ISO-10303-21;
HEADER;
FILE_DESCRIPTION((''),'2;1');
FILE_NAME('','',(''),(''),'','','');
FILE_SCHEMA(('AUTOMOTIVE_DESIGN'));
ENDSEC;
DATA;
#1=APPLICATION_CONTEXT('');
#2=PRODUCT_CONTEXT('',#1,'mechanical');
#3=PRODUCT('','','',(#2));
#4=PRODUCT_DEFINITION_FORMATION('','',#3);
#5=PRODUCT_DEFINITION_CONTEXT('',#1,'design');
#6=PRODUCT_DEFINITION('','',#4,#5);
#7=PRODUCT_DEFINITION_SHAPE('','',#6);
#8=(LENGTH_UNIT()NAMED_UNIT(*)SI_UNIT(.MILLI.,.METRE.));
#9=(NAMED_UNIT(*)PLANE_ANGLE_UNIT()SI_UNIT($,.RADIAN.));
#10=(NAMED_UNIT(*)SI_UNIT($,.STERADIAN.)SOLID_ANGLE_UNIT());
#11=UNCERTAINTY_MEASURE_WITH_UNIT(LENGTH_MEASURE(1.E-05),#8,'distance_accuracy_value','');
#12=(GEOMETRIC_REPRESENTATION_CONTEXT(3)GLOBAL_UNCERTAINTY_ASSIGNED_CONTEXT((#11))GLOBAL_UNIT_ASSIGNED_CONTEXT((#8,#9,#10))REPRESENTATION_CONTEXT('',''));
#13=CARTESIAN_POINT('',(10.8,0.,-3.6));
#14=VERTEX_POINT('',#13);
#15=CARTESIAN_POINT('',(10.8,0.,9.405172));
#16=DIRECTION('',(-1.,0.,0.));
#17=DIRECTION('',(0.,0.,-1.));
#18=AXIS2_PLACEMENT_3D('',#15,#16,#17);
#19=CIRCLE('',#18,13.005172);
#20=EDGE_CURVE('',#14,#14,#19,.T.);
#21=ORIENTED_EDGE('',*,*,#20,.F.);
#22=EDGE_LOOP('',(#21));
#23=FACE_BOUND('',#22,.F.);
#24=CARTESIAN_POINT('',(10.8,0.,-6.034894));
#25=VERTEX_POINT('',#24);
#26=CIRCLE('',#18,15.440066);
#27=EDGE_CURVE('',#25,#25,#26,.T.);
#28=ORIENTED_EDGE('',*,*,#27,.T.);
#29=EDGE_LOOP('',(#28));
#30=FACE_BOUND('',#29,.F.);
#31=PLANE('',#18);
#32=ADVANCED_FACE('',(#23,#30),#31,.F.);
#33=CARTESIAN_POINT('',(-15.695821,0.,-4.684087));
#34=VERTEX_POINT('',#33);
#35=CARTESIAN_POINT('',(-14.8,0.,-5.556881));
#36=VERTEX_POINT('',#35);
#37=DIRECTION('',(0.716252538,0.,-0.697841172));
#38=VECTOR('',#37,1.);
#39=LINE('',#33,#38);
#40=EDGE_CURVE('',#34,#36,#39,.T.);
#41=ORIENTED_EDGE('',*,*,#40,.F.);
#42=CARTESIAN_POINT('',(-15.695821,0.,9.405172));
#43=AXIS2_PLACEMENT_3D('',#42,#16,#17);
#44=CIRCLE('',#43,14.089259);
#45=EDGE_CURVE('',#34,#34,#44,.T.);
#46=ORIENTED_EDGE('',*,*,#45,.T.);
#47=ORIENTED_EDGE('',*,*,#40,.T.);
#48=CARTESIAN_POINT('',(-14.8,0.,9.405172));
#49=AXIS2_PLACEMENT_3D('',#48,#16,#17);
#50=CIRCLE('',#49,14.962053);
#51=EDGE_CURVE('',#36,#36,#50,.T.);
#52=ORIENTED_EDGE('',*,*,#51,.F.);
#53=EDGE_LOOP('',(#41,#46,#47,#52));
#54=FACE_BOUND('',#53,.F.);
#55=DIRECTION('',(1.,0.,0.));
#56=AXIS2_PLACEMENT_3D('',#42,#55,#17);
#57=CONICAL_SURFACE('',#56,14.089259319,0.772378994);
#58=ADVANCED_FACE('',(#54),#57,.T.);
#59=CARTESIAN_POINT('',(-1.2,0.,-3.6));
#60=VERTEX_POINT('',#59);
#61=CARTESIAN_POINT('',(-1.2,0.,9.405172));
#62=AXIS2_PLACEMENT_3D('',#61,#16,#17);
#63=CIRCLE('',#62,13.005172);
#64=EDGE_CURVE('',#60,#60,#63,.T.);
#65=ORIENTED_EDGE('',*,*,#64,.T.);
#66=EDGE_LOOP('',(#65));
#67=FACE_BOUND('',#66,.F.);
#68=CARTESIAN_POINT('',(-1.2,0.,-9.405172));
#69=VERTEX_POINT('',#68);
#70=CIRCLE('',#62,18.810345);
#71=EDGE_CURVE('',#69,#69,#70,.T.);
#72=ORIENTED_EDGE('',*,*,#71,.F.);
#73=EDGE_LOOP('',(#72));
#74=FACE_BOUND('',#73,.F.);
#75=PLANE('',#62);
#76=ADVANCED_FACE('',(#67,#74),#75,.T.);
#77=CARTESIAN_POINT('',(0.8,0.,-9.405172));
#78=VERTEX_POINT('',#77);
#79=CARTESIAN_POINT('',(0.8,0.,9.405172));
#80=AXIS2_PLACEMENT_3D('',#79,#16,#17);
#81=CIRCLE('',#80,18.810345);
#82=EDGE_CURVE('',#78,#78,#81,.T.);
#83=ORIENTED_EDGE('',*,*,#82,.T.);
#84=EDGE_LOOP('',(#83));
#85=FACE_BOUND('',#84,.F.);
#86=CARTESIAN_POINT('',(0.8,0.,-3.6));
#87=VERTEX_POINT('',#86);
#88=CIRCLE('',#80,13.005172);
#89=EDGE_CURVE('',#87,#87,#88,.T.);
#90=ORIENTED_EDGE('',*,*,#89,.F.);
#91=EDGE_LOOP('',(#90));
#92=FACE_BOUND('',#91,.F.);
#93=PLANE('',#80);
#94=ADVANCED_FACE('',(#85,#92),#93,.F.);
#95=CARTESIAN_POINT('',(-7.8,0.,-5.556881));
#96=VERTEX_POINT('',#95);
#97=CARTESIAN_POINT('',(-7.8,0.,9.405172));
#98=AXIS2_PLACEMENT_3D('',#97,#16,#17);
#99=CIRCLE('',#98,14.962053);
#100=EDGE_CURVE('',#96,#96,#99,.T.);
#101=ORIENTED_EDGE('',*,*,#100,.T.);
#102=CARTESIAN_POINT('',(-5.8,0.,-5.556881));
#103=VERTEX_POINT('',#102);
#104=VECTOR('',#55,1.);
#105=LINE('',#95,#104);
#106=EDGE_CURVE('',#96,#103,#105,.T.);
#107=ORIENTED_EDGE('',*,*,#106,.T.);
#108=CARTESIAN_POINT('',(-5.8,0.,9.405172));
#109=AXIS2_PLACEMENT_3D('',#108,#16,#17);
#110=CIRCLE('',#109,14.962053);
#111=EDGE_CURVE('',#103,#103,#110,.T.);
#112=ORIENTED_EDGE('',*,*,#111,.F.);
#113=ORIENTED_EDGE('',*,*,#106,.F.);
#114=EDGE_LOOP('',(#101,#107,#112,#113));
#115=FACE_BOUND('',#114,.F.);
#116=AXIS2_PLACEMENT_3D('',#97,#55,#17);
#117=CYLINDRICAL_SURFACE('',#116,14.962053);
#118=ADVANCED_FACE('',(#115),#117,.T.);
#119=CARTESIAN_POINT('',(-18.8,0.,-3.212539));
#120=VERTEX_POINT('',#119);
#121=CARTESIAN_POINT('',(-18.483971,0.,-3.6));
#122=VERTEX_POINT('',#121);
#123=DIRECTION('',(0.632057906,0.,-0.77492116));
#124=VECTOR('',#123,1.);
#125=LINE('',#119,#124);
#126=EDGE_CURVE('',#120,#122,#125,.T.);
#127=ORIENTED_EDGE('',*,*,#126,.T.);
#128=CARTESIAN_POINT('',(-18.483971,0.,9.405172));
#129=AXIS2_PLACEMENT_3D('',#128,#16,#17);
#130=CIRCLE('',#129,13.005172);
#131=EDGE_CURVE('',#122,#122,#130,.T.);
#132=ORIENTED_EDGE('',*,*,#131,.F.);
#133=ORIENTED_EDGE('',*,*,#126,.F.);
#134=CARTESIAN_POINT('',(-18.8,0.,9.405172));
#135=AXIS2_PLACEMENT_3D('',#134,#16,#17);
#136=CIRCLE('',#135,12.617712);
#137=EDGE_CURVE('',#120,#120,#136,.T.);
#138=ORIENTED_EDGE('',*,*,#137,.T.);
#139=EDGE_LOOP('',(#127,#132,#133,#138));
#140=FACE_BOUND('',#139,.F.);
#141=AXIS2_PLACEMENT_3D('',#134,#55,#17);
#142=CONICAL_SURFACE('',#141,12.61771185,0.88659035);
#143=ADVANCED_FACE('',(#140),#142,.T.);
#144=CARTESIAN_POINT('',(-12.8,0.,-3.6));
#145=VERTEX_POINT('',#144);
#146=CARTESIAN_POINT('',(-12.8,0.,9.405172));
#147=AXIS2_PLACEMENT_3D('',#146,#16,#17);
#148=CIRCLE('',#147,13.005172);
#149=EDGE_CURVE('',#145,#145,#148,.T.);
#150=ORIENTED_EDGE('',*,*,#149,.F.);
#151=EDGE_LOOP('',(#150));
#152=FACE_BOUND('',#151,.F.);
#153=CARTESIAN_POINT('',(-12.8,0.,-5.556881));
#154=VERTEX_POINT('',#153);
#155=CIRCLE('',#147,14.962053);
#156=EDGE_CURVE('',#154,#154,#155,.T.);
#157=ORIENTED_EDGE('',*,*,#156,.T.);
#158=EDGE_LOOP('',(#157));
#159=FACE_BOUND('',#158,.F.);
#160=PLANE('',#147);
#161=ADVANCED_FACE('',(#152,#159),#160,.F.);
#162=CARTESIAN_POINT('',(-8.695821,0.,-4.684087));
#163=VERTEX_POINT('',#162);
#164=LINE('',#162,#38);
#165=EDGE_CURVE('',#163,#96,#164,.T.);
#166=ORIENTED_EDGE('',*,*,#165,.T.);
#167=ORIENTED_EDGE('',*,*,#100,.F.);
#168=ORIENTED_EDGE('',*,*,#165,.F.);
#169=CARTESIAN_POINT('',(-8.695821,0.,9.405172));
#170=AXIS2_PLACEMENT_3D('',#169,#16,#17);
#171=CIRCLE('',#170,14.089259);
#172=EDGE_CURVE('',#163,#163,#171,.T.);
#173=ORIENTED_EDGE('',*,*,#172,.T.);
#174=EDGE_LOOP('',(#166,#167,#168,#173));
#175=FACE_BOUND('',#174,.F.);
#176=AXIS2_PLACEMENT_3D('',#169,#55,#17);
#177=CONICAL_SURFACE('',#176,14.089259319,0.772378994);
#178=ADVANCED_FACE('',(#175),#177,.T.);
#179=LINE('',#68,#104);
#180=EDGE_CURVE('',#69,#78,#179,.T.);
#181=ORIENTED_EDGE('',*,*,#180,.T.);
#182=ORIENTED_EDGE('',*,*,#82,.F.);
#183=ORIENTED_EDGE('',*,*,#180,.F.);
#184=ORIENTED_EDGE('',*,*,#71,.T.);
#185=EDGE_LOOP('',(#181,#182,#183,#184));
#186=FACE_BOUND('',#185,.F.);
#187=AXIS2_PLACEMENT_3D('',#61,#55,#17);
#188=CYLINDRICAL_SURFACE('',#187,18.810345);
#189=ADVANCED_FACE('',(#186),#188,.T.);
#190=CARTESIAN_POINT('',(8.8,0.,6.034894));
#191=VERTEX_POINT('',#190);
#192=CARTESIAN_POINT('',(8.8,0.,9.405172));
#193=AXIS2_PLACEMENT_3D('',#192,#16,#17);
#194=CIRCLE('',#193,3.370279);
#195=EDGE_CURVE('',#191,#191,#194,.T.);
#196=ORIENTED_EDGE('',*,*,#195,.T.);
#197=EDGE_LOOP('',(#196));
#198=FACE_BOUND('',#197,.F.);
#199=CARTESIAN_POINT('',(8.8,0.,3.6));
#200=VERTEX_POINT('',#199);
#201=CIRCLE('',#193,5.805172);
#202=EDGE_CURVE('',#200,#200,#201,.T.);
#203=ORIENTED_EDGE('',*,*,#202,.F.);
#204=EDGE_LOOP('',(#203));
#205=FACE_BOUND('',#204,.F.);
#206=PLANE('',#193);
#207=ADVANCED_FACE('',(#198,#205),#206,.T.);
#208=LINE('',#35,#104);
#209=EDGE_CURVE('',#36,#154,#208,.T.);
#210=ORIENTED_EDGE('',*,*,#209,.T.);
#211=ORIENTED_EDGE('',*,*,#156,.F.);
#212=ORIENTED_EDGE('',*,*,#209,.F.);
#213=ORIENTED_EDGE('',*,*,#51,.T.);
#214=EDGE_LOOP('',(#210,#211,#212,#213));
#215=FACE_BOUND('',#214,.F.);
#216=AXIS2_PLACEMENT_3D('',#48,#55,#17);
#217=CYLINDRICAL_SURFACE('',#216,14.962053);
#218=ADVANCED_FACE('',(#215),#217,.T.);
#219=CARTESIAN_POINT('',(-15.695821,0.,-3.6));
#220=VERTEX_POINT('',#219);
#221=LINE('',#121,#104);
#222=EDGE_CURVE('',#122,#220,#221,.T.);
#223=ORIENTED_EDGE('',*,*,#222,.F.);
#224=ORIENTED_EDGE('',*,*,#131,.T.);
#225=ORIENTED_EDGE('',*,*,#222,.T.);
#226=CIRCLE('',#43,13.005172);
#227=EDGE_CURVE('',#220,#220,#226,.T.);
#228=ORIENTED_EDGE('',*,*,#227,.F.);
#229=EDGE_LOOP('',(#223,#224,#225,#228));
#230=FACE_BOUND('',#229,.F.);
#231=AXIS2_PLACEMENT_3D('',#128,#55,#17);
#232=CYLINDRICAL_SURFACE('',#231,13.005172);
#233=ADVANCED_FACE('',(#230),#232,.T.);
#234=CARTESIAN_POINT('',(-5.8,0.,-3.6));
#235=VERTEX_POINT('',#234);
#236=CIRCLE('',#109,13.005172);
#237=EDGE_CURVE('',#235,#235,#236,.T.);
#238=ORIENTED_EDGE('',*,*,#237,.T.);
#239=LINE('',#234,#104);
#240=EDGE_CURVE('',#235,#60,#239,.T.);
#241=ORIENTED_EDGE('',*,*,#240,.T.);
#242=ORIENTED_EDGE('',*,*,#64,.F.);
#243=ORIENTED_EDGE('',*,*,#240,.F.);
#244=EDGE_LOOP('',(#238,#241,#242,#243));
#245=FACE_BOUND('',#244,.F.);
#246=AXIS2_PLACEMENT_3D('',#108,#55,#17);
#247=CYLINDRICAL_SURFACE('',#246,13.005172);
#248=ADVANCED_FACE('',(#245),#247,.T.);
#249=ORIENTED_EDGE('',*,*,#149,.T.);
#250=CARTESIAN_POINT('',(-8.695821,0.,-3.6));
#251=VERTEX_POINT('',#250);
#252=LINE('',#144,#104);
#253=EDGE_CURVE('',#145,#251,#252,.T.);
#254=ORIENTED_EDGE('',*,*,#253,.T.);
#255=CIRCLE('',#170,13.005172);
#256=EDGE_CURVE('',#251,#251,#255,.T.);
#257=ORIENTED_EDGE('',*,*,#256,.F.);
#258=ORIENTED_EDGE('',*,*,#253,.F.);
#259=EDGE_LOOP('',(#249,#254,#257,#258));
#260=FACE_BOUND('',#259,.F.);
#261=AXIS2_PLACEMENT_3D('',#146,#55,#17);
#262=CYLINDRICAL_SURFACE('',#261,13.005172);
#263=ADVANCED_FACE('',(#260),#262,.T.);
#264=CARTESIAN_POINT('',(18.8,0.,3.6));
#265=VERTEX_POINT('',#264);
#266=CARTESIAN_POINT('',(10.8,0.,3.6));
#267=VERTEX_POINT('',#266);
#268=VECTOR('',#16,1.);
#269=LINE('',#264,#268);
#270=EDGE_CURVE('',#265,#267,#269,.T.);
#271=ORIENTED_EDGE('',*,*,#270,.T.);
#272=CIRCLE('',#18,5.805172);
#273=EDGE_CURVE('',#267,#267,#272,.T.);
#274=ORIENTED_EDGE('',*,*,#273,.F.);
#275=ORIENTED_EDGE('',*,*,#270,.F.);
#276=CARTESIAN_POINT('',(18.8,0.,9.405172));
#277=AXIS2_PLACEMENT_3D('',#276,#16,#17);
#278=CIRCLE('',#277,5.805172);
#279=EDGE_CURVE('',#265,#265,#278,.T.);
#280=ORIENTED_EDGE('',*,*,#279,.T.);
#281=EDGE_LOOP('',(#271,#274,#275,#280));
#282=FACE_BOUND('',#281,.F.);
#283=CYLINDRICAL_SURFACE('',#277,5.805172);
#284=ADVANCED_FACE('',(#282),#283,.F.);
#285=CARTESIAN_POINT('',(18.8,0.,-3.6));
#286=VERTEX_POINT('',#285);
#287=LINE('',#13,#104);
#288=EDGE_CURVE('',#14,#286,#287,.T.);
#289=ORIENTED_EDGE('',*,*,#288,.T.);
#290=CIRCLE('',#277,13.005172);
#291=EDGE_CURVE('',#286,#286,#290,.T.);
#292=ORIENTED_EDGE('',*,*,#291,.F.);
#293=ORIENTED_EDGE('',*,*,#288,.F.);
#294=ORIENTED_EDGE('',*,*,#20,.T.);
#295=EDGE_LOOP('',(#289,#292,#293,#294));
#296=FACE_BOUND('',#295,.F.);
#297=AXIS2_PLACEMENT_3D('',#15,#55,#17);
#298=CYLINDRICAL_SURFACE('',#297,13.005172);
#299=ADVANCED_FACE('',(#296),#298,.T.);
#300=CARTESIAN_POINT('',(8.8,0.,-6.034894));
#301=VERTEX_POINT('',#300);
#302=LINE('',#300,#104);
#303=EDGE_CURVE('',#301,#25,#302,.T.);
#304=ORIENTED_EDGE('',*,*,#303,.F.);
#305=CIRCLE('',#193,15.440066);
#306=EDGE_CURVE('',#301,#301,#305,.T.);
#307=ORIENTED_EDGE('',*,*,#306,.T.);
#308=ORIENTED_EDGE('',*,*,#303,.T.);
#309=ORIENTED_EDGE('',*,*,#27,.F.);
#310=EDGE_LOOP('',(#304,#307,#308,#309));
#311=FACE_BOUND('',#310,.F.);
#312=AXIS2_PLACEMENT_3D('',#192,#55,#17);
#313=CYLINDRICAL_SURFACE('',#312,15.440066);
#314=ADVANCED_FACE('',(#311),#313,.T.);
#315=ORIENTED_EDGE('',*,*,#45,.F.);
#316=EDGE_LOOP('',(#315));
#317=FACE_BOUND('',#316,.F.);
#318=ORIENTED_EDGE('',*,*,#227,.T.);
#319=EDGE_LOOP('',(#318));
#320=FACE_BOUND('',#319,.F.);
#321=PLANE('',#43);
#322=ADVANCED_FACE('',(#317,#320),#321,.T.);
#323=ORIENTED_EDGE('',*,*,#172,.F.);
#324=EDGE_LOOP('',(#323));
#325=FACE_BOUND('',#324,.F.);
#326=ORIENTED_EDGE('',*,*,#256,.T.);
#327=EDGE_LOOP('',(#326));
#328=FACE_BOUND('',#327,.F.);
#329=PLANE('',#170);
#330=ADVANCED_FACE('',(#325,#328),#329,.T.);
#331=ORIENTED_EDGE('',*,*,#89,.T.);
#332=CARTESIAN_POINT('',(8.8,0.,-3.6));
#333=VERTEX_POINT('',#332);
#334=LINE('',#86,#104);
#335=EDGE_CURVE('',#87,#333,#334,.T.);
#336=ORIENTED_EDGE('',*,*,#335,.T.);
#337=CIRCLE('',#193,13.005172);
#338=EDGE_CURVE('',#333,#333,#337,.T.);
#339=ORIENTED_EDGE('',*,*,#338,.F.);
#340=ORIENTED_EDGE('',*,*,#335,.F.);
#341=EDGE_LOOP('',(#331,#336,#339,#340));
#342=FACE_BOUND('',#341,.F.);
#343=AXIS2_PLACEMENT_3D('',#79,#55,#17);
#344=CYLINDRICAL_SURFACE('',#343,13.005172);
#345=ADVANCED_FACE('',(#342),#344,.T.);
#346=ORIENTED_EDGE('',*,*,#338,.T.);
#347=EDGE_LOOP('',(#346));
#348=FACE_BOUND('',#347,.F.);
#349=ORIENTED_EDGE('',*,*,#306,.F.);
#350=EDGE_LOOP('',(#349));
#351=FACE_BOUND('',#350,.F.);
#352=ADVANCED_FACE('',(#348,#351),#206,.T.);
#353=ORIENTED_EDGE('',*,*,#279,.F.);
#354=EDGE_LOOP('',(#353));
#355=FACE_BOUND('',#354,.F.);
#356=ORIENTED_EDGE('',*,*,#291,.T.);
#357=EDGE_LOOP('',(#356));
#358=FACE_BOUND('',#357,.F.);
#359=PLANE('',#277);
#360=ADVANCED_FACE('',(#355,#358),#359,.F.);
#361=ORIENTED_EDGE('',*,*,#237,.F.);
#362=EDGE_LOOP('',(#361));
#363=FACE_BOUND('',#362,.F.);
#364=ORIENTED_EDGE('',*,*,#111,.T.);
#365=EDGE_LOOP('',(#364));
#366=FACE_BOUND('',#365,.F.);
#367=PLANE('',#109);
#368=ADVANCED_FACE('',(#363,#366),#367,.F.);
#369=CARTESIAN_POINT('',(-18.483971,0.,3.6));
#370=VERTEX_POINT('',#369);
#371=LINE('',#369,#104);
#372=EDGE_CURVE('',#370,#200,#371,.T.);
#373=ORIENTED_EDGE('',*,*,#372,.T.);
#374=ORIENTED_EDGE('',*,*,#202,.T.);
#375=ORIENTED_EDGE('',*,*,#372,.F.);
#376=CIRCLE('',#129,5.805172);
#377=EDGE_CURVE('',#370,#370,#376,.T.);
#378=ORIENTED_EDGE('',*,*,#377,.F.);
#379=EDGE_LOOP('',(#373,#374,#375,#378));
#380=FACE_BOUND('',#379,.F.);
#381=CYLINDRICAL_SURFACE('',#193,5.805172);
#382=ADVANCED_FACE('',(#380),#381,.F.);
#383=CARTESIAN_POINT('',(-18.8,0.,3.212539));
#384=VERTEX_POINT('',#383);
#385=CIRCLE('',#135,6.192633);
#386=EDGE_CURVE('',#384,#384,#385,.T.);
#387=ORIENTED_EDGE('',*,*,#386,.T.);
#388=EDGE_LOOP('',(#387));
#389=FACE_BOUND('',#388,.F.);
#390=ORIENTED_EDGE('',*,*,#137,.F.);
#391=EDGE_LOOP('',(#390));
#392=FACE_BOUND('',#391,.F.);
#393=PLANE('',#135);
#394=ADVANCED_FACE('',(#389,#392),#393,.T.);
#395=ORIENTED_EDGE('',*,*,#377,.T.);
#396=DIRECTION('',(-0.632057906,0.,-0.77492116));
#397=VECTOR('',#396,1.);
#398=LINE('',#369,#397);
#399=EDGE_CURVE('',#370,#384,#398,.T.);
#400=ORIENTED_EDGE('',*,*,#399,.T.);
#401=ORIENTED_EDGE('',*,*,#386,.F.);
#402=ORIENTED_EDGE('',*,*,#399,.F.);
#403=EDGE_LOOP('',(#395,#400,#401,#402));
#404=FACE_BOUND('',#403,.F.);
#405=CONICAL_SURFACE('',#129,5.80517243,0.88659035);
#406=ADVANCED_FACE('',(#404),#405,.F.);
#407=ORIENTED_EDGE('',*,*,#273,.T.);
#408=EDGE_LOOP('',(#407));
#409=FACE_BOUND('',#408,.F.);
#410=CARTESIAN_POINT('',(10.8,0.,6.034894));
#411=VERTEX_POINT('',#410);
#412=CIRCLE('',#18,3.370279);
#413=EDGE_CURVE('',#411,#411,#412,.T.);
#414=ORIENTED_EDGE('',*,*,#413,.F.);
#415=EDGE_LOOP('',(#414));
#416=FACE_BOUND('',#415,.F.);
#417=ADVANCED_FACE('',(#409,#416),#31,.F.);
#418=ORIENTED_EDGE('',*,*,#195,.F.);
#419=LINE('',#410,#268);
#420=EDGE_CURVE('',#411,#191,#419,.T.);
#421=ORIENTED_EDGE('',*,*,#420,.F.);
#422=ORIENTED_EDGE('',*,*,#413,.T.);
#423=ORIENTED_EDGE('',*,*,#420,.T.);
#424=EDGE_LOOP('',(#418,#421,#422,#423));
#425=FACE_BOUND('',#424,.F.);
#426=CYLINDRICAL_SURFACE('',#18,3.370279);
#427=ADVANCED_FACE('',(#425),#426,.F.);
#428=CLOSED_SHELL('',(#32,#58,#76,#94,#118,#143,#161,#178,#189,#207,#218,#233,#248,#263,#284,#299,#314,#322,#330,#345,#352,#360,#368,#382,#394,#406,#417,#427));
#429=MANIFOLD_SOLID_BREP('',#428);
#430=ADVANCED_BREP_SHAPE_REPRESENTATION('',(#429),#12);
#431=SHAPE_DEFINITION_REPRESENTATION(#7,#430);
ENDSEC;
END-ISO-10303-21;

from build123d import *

# Parameters (mm, degrees)
F0_W     = 37.6
F0_H     = 4.5
F2_DEPTH = 25.4


with BuildPart() as f1:
    # F0 (on Front) → F1 (revolve)
    with BuildSketch(Plane.XZ):
        Polygon((-18.8, 2.25), (18.8, 2.25), (18.8, 3.6), (10.8, 3.6), (10.8, 6.0348939151), (8.8, 6.0348939151), (8.8, 3.6), (0.8, 3.6), (0.8, 9.40517243), (-1.2, 9.40517243), (-1.2, 3.6), (-5.8, 3.6), (-5.8, 5.5568809621), (-7.8, 5.5568809621), (-8.6958212778, 4.684086889), (-8.6958212778, 3.6), (-12.8, 3.6), (-12.8, 5.5568809621), (-14.8, 5.5568809621), (-15.6958212778, 4.684086889), (-15.6958212778, 3.6), (-18.4839710472, 3.6), (-18.8, 3.21253942), align=None)
        Polygon((18.8, -3.6), (18.8, -2.25), (-18.8, -2.25), (-18.8, -3.21253942), (-18.4839710472, -3.6), (-15.6958212778, -3.6), (-15.6958212778, -4.684086889), (-14.8, -5.5568809621), (-12.8, -5.5568809621), (-12.8, -3.6), (-8.6958212778, -3.6), (-8.6958212778, -4.684086889), (-7.8, -5.5568809621), (-5.8, -5.5568809621), (-5.8, -3.6), (-1.2, -3.6), (-1.2, -9.40517243), (0.8, -9.40517243), (0.8, -3.6), (8.8, -3.6), (8.8, -6.0348939151), (10.8, -6.0348939151), (10.8, -3.6), align=None)
        Rectangle(F0_W, F0_H)
    revolve(axis=Axis((-0.2, 0, 9.40517243), (-1, 0, 0)))

    # F2 (cut): a face of the model
    f2_faces = [f1.faces().sort_by_distance(p)[0] for p in [
        (0.8, 0, 9.40517243),
    ]]
    extrude(f2_faces, amount=-F2_DEPTH, mode=Mode.SUBTRACT)


solid = f1.part
